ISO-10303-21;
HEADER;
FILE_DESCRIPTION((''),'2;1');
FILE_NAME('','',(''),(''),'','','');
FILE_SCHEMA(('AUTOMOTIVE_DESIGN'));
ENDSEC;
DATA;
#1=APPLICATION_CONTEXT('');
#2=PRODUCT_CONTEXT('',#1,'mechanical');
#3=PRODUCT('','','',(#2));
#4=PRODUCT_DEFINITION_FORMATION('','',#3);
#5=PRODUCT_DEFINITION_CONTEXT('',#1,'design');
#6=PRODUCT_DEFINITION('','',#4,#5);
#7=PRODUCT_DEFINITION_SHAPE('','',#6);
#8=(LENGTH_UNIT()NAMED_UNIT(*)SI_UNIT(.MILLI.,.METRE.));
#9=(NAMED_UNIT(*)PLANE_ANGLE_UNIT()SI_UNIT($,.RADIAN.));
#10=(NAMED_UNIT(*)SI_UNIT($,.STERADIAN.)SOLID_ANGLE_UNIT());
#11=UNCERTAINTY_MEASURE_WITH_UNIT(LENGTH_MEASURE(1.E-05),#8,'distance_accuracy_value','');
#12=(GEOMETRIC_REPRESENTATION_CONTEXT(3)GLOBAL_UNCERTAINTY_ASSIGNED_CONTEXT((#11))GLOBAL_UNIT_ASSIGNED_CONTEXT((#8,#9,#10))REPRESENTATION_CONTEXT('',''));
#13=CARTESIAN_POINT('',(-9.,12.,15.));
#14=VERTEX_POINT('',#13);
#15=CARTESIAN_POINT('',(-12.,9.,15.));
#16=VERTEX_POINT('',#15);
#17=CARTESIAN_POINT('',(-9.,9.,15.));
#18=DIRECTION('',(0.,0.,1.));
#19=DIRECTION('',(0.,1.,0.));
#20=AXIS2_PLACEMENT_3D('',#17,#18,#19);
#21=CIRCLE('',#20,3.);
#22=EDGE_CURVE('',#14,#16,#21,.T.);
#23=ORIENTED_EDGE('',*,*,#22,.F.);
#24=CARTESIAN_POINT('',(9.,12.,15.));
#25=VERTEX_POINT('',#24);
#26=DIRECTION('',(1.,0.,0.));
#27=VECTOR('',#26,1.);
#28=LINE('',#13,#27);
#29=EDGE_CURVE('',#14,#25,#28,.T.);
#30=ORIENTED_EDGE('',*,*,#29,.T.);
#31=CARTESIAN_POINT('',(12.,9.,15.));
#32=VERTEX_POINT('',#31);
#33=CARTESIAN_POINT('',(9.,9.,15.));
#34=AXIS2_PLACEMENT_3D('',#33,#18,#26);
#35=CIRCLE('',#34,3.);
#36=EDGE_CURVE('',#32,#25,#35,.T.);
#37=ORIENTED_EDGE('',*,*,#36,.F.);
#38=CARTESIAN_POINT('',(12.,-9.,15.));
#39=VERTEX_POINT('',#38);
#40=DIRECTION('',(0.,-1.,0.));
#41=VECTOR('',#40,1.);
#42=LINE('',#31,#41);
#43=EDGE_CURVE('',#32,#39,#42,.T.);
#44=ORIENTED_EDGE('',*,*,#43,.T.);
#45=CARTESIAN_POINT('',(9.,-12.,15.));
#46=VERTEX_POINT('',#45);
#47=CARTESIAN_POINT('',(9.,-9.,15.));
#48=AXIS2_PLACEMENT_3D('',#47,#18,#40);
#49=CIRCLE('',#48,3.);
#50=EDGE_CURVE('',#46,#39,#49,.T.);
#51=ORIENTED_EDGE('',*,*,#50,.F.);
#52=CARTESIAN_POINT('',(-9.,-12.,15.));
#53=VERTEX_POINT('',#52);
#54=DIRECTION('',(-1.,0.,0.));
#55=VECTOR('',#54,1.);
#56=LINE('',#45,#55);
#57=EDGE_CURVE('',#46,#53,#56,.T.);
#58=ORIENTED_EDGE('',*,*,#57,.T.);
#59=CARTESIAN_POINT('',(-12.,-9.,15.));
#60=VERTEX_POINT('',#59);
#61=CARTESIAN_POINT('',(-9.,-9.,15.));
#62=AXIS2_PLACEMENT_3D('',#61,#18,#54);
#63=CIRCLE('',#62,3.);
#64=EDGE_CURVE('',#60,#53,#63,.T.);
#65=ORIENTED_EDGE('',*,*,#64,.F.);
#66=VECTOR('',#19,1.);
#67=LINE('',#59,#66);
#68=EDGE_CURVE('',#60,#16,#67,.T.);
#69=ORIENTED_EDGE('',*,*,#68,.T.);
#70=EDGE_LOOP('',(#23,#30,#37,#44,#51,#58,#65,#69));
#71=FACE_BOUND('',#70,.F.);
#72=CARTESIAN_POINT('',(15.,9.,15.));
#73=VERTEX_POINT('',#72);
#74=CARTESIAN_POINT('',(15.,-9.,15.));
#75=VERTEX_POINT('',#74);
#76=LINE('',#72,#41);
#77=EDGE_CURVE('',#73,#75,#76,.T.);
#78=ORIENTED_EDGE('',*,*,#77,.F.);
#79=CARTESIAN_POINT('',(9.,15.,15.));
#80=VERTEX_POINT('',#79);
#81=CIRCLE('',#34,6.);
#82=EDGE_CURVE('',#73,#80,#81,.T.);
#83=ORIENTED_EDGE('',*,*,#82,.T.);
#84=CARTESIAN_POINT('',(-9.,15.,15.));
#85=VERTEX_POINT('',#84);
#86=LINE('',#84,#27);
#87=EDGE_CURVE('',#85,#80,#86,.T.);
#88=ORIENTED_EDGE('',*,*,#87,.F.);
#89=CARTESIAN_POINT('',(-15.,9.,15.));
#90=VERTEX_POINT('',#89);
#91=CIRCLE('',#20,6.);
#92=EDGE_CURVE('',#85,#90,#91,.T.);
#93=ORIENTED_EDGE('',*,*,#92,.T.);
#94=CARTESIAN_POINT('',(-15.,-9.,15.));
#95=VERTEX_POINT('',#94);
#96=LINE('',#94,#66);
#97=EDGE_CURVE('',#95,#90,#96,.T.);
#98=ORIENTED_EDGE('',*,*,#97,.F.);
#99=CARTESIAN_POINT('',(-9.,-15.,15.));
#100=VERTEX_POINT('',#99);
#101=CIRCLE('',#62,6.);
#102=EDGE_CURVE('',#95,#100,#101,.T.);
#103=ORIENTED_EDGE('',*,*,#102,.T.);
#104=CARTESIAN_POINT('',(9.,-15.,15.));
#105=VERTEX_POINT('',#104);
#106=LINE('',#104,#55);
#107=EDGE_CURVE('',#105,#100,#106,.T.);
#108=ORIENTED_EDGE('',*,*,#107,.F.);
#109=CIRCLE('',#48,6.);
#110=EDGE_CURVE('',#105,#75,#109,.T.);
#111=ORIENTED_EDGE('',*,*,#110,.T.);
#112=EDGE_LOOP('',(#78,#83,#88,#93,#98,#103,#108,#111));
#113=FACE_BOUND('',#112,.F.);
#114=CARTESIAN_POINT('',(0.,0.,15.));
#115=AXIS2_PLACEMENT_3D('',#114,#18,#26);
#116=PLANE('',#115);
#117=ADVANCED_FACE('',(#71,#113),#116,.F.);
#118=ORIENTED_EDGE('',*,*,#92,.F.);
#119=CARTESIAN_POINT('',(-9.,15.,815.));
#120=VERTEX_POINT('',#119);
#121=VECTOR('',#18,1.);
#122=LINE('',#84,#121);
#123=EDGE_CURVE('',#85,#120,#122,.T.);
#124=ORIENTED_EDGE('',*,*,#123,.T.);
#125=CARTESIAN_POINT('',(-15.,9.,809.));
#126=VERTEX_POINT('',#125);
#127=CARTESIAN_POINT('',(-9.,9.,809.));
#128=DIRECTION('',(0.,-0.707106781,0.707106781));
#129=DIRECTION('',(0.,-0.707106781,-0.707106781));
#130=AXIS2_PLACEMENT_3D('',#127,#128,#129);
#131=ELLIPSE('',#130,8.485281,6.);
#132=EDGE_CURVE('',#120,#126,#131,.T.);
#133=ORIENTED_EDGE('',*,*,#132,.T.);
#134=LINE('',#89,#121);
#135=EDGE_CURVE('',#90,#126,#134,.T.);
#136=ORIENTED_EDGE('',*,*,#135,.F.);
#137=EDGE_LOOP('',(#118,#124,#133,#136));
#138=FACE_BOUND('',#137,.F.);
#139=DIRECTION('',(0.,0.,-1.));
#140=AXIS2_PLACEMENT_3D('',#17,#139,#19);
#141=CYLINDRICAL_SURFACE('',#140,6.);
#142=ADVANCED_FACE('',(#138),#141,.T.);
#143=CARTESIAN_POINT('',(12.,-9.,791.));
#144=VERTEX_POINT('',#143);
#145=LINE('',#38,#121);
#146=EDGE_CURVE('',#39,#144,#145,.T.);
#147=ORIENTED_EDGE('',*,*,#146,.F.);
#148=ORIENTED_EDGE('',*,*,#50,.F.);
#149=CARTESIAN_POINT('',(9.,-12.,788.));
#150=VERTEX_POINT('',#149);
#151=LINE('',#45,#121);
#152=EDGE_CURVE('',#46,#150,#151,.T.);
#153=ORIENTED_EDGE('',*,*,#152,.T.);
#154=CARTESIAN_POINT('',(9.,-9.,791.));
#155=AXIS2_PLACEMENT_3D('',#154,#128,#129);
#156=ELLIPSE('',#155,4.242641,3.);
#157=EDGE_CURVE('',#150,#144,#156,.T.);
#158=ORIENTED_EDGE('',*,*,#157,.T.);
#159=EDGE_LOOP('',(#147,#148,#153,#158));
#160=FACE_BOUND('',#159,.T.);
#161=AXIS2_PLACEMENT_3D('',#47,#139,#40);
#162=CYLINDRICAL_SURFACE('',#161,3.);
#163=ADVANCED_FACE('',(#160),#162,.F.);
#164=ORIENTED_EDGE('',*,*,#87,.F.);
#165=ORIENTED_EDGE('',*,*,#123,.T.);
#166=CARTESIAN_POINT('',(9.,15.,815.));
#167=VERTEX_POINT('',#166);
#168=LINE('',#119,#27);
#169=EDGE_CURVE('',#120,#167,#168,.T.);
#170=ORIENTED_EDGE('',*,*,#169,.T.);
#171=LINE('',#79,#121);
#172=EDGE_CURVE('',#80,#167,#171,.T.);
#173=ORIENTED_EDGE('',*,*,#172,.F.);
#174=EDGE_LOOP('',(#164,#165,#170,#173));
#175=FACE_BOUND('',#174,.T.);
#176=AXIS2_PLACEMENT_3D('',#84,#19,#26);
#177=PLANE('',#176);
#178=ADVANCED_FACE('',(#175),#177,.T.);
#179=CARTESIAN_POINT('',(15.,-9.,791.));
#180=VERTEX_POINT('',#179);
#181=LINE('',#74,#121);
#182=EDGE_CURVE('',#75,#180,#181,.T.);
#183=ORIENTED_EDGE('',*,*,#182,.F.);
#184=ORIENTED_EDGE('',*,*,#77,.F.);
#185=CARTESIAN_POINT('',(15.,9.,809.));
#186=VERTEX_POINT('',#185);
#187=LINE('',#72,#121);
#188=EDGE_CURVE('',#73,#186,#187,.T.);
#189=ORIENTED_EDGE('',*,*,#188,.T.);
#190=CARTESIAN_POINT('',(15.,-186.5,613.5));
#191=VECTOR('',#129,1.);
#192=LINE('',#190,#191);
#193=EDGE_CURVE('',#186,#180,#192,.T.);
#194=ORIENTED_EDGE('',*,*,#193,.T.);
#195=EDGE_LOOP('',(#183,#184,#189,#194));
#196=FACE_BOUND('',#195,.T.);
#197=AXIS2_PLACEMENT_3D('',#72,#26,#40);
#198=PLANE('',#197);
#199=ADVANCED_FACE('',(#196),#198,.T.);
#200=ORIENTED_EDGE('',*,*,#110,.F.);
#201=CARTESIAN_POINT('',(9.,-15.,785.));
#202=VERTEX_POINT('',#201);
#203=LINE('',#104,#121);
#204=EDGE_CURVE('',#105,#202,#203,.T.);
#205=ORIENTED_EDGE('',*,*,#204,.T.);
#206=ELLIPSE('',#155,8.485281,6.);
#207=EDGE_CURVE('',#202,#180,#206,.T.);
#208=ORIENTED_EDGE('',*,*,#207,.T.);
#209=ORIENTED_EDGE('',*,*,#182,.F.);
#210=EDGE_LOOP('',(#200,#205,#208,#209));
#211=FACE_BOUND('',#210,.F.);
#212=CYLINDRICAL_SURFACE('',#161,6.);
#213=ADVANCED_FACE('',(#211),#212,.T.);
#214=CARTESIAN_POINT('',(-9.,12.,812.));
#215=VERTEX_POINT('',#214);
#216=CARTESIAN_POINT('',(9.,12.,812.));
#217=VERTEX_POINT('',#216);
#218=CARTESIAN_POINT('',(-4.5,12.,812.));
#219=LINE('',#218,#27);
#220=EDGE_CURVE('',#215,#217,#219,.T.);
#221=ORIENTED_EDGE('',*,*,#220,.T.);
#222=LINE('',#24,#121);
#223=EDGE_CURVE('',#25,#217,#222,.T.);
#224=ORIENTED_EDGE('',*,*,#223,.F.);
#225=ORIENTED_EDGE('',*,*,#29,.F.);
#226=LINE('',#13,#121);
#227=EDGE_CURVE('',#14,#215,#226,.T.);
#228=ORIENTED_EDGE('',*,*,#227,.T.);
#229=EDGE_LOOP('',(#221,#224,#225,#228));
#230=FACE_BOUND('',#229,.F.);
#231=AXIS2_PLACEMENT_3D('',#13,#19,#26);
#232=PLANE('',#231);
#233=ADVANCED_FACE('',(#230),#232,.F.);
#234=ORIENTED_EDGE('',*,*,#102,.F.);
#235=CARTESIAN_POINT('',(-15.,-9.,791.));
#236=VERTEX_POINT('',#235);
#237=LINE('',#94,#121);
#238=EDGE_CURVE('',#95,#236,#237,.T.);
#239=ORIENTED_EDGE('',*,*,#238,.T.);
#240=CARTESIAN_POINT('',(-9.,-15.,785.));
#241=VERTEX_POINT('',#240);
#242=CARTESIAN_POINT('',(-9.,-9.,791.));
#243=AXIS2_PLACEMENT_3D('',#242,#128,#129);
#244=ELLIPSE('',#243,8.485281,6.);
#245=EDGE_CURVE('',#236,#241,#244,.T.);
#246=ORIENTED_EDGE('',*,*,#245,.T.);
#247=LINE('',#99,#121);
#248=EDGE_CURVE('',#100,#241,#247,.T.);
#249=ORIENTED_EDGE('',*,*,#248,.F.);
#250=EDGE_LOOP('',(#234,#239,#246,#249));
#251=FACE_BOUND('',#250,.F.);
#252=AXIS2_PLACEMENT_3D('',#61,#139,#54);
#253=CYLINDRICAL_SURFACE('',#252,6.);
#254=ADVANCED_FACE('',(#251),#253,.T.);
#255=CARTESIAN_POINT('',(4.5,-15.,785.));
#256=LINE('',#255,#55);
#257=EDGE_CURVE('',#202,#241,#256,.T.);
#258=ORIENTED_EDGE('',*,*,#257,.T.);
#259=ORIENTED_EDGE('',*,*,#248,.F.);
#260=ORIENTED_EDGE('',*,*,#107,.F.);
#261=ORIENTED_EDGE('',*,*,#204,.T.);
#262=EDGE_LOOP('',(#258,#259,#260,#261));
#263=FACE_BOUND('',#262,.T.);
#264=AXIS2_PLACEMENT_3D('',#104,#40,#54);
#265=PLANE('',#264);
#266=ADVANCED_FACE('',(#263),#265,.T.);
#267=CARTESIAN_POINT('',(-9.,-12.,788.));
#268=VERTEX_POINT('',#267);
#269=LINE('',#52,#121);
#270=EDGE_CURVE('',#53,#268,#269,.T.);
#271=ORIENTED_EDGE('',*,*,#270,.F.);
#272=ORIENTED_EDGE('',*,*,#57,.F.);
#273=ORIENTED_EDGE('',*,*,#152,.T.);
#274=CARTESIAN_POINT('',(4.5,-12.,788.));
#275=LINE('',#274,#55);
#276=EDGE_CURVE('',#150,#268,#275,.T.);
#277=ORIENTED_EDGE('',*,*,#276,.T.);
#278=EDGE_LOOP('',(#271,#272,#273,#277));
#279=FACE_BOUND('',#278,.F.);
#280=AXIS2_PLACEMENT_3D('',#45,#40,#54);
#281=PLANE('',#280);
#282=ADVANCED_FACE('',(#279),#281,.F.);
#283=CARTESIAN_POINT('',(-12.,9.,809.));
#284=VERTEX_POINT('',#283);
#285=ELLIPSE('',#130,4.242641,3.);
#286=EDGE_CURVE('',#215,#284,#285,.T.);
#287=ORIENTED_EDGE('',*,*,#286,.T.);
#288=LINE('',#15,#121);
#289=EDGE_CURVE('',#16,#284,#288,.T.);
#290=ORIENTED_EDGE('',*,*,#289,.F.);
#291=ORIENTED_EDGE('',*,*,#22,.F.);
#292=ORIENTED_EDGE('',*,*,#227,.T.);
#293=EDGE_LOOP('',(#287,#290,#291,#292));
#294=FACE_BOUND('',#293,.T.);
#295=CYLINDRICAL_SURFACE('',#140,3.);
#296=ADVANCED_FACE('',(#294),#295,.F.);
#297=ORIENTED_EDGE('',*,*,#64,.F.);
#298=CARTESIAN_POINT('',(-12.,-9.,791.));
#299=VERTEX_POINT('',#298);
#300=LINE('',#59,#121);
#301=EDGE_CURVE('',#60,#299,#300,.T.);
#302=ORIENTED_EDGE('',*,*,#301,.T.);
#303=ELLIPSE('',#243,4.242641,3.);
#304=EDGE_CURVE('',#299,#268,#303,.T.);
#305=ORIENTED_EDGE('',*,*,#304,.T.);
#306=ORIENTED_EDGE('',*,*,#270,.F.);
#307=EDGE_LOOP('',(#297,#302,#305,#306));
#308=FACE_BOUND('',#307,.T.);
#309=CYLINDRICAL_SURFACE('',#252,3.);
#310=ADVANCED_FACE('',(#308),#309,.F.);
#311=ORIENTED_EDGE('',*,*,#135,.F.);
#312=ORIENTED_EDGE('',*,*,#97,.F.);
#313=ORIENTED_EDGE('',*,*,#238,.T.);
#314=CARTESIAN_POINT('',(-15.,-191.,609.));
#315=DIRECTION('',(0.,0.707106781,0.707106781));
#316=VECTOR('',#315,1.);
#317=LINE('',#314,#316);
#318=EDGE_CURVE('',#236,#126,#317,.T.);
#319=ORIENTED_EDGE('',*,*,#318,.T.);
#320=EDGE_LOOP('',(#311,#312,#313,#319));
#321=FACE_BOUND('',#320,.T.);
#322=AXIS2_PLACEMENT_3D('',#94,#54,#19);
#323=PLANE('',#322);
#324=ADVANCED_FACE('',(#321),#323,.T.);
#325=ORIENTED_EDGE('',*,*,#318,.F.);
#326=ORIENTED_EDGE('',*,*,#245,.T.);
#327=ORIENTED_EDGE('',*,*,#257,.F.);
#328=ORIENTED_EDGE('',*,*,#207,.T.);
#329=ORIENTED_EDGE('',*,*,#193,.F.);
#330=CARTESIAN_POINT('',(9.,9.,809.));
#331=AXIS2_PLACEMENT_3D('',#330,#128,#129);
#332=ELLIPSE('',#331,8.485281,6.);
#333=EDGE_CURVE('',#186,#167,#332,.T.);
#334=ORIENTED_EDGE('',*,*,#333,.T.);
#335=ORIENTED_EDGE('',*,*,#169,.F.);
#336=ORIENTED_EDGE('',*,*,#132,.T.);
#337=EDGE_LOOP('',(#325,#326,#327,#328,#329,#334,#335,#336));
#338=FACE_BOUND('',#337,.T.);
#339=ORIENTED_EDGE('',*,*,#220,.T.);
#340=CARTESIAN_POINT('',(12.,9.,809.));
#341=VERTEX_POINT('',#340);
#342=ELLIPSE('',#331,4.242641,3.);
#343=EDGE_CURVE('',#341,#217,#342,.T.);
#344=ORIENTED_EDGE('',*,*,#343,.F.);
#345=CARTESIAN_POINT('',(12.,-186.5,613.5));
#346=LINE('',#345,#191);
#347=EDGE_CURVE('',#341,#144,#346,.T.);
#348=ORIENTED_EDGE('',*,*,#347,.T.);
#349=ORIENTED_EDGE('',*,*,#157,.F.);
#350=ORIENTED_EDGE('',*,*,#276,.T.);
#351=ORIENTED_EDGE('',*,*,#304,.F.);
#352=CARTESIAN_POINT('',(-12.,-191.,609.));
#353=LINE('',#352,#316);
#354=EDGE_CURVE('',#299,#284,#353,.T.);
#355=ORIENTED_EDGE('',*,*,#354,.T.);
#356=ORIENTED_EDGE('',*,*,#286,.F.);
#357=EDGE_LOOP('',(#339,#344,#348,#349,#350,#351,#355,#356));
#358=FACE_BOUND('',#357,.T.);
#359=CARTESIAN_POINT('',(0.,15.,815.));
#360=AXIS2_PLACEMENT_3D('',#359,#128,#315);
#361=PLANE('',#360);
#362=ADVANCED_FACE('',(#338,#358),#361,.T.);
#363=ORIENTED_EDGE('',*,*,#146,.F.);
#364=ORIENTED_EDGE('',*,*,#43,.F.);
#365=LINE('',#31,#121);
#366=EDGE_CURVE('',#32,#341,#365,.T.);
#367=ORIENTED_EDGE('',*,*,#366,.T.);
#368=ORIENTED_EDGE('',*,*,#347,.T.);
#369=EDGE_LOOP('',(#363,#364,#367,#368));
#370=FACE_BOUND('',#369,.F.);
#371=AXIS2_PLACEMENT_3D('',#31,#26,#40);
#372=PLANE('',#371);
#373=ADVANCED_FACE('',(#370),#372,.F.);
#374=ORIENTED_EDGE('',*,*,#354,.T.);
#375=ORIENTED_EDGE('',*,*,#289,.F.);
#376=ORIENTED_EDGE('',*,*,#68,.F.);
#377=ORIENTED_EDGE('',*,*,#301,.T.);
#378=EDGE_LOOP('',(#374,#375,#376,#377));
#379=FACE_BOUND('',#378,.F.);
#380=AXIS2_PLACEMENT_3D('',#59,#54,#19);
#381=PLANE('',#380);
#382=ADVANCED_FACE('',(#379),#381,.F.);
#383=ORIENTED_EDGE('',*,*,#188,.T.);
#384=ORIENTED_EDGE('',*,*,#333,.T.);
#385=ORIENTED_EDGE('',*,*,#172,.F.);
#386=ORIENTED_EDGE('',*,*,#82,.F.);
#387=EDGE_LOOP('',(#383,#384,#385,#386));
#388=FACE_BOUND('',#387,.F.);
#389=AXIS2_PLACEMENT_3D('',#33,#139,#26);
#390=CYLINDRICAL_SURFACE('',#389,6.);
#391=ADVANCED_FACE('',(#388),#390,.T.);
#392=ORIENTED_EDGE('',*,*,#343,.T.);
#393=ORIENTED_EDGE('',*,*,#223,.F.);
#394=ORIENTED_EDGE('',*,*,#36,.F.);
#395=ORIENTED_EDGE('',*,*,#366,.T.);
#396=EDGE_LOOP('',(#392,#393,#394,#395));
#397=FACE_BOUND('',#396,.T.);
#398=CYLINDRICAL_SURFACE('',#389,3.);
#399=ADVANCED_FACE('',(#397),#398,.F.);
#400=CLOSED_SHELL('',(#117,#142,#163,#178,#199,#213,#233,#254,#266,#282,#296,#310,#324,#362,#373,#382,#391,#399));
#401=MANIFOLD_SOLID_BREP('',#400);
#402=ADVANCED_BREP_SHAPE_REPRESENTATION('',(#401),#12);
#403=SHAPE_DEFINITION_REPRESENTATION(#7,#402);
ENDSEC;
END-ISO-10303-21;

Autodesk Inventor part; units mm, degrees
ref_plane "Start Plane" through (0, 0, 15) normal (0, 0, 1) x (1, 0, 0)
ref_plane "End Plane" through (0, 0, 815) normal (0, 0, 1) x (1, 0, 0)
sketch "Sketch" plane through (0, 0, 0) normal (0, 0, 1) x (1, 0, 0)
  line L0 (-15, -9) -> (-15, 9)
  line L1 (-9, 15) -> (9, 15)
  line L2 (15, 9) -> (15, -9)
  line L3 (9, -15) -> (-9, -15)
  arc A0 (-15, -9) -> (-9, -15) centre (-9, -9) ccw
  arc A1 (-9, 15) -> (-15, 9) centre (-9, 9) ccw
  arc A2 (15, 9) -> (9, 15) centre (9, 9) ccw
  arc A3 (9, -15) -> (15, -9) centre (9, -9) ccw
  arc A4 (-9, 12) -> (-12, 9) centre (-9, 9) ccw
  line L4 (-9, 12) -> (9, 12)
  arc A5 (12, 9) -> (9, 12) centre (9, 9) ccw
  line L5 (12, 9) -> (12, -9)
  arc A6 (9, -12) -> (12, -9) centre (9, -9) ccw
  line L6 (9, -12) -> (-9, -12)
  arc A7 (-12, -9) -> (-9, -12) centre (-9, -9) ccw
  line L7 (-12, -9) -> (-12, 9)
  line L8 (0, 22.7397) -> (0, -22.7397) construction
  line L9 (-22.7397, 0) -> (22.7397, 0) construction
  dimension "d7" = 6
  dimension "d10" = 30
  dimension "d11" = 30
  dimension "d12" = 3
  dimension "d15" = 15
  dimension "d16" = 15
extrude "Body" add sketch "Sketch" along normal up to surface (800 mm away) from surface at 15
sketch "Sketch3" plane through (0, 0, 0) normal (0, 0, 1) x (1, 0, 0)
  line L0 (0, 0) -> (10, 0)
ref_plane "Work Plane3" through (0, 0, 0) normal (0, -1, 0) x (1, 0, 0)
ref_plane "Work Plane4" through (0, 15, 815) normal (0, -0.7071, 0.7071) x (1, 0, 0)
split "Split1" plane through (0, 15, 815) removes the side toward (0, -0.7071, 0.7071)
ref_plane "Work Plane5" through (-9, 500, 15) normal (0, 0, -1) x (-1, 0, 0)
split "Split2" plane through (-9, 500, 15) removes the side toward (0, 0, -1)
sketch "Sketch4" plane through (0, 0, 0) normal (0, -1, 0) x (1, 0, 0)
  line L0 (-2, 15) -> (12, 15) projected
  line L1 (-2, 815) -> (12, 815) projected
  dimension "d18" = 800
equation "\"d7\" = G_IR"
equation "\"d10\" = G_H"
equation "\"d11\" = G_W"
equation "\"d12\" = G_T"
equation "\"d15\" = 0.5 * d10"
equation "\"d16\" = 0.5 * d11"
equation "\"d3\" = G_L"
equation "\"G_W\" = 30"
equation "\"G_H\" = 30"
equation "\"G_T\" = 3"
equation "\"G_IR\" = 6"
equation "\"G_L\" = d18"
equation "\"G_OFFSET_START\" = -15"
equation "\"G_OFFSET_END\" = 15"
equation "\"d13\" = -G_OFFSET_START"
equation "\"d14\" = G_OFFSET_END + B_L"
equation "\"B_L\" = 800"
properties part number "DIN EN 10219-2 - 30 x 30 x 3  - 800" material "Steel, Mild"
